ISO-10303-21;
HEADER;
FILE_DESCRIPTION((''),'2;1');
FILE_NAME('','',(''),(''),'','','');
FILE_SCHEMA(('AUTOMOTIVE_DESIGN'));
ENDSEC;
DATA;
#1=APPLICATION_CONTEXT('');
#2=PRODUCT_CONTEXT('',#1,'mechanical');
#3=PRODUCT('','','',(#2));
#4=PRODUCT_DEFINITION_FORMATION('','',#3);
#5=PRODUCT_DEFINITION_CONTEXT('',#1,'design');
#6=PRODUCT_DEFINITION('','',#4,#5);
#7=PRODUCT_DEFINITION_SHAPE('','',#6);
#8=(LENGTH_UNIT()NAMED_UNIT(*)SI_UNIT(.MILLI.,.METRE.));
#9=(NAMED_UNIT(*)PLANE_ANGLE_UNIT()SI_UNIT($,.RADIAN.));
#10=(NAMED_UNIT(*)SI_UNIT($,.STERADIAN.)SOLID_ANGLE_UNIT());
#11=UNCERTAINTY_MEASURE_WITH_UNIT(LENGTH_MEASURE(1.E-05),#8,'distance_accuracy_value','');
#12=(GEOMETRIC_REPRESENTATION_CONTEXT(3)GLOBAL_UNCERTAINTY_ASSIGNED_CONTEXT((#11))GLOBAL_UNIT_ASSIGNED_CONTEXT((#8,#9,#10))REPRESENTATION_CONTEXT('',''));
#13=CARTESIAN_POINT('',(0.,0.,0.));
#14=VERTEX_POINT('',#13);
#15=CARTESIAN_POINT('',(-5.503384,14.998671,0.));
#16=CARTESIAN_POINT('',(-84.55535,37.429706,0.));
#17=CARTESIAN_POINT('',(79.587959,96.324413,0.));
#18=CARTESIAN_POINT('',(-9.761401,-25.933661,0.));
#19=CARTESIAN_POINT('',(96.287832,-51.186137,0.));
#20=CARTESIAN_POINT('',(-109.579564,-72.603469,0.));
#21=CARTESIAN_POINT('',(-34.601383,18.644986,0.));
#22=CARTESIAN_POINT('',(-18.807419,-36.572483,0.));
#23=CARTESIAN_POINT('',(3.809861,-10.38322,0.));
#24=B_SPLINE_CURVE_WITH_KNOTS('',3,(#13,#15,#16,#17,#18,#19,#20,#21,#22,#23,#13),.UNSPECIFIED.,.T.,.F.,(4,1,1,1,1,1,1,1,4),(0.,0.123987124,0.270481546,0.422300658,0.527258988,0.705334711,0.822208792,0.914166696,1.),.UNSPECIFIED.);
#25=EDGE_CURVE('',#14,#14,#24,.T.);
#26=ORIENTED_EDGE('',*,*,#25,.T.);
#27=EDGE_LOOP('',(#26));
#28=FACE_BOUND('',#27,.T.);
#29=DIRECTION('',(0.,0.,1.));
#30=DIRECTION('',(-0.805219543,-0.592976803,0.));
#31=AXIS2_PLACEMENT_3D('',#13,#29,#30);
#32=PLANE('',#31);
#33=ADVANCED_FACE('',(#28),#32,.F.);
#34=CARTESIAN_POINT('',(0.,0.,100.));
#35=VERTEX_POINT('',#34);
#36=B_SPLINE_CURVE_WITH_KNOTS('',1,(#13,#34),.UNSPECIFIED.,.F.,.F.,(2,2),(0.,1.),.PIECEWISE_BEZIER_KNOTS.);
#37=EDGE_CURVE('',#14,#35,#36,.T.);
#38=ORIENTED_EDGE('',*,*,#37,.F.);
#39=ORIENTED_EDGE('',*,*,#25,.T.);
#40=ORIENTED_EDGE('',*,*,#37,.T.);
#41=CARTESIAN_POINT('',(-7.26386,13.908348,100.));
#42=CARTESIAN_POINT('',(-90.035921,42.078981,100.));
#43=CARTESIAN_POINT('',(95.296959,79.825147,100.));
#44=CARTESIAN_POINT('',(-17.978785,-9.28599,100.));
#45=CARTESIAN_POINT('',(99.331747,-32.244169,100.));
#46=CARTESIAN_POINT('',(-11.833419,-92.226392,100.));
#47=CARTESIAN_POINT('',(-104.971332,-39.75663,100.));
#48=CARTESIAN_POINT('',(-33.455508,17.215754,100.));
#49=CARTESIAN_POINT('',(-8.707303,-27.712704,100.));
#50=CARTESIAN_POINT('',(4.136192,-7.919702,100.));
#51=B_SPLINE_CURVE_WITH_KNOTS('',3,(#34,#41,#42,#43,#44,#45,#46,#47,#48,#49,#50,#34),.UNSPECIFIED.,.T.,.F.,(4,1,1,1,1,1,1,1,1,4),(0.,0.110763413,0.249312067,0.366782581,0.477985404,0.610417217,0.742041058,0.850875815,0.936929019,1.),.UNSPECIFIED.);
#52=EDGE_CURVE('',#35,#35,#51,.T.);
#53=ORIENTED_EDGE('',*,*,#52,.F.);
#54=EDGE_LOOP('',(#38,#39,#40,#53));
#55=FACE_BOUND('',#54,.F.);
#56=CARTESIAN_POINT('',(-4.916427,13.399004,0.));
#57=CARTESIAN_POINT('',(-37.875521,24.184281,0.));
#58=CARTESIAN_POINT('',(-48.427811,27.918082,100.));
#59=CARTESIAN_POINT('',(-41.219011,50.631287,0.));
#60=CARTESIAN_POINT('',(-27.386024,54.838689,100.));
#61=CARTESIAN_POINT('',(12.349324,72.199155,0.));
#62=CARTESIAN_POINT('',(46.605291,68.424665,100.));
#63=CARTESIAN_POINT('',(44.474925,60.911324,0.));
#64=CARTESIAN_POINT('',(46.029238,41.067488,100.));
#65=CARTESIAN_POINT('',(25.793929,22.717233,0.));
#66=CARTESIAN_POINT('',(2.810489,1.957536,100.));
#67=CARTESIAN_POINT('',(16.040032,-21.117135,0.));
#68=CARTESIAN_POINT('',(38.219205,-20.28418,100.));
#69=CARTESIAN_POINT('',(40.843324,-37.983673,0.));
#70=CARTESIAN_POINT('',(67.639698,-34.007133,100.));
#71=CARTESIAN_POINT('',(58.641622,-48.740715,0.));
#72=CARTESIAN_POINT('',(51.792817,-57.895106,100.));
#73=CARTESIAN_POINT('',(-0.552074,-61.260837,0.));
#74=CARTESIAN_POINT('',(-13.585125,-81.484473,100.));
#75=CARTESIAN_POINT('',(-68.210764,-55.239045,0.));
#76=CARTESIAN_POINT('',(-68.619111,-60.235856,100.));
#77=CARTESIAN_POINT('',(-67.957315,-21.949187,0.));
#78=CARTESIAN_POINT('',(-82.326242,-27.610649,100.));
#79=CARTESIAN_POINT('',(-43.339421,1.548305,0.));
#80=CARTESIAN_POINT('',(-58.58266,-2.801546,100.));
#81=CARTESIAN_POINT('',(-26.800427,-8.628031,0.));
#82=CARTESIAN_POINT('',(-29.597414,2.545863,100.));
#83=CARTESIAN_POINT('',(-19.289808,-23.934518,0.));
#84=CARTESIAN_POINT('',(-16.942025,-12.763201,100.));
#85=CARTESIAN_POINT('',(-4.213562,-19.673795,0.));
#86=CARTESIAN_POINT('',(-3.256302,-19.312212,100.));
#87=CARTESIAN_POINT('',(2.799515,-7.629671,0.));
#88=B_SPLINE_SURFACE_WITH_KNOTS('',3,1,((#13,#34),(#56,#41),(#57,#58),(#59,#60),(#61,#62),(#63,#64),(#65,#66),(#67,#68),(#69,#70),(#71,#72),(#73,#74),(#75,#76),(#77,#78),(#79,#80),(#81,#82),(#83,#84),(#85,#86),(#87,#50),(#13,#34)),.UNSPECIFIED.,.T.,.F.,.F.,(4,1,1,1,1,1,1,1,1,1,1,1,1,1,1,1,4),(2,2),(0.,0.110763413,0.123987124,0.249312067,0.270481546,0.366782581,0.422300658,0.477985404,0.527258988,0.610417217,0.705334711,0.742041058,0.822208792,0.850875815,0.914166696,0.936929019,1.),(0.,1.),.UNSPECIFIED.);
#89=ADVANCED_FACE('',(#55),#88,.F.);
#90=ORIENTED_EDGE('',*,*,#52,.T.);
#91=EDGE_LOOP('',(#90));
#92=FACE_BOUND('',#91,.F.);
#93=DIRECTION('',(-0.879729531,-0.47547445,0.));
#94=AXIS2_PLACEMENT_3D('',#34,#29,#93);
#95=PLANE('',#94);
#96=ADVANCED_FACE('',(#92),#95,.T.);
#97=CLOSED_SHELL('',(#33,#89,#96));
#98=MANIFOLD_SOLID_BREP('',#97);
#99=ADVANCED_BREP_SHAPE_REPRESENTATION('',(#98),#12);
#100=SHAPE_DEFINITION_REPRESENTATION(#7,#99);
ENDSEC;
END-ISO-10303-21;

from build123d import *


with BuildPart() as f3:
    # F1 (on Top) → F3 section 0
    with BuildSketch(Plane.XY):
        with BuildLine():
            add(Edge.make_bspline(
                [(0, 0), (-5.5033842843, 14.998671458), (-84.5553502144, 37.4297059647), (79.5879592591, 96.3244130536), (-9.7614008346, -25.9336608199), (96.2878317371, -51.1861365047), (-109.5795637751, -72.6034687288), (-34.6013834598, 18.6449858689), (-18.8074194404, -36.5724834496), (3.8098605759, -10.3832195111), (0, 0)],
                knots=[0, 0, 0, 0, 0.1239871244, 0.2704815464, 0.4223006578, 0.5272589881, 0.7053347114, 0.8222087921, 0.9141666959, 1, 1, 1, 1], degree=3))
        make_face()
    # F2 (on offset) → F3 section 1
    with BuildSketch(Plane.XY.offset(100)):
        with BuildLine():
            add(Edge.make_bspline(
                [(0, 0), (-7.2638597278, 13.9083483194), (-90.0359208139, 42.0789810997), (95.2969585483, 79.8251468495), (-17.978785202, -9.2859901498), (99.3317471519, -32.2441686669), (-11.8334191283, -92.2263918512), (-104.97133168, -39.7566298497), (-33.4555084008, 17.2157541471), (-8.7073031, -27.712703964), (4.1361921344, -7.9197015192), (0, 0)],
                knots=[0, 0, 0, 0, 0.1107634126, 0.2493120672, 0.3667825809, 0.4779854037, 0.6104172169, 0.7420410579, 0.850875815, 0.9369290194, 1, 1, 1, 1], degree=3))
        make_face()
    loft()


solid = f3.part
